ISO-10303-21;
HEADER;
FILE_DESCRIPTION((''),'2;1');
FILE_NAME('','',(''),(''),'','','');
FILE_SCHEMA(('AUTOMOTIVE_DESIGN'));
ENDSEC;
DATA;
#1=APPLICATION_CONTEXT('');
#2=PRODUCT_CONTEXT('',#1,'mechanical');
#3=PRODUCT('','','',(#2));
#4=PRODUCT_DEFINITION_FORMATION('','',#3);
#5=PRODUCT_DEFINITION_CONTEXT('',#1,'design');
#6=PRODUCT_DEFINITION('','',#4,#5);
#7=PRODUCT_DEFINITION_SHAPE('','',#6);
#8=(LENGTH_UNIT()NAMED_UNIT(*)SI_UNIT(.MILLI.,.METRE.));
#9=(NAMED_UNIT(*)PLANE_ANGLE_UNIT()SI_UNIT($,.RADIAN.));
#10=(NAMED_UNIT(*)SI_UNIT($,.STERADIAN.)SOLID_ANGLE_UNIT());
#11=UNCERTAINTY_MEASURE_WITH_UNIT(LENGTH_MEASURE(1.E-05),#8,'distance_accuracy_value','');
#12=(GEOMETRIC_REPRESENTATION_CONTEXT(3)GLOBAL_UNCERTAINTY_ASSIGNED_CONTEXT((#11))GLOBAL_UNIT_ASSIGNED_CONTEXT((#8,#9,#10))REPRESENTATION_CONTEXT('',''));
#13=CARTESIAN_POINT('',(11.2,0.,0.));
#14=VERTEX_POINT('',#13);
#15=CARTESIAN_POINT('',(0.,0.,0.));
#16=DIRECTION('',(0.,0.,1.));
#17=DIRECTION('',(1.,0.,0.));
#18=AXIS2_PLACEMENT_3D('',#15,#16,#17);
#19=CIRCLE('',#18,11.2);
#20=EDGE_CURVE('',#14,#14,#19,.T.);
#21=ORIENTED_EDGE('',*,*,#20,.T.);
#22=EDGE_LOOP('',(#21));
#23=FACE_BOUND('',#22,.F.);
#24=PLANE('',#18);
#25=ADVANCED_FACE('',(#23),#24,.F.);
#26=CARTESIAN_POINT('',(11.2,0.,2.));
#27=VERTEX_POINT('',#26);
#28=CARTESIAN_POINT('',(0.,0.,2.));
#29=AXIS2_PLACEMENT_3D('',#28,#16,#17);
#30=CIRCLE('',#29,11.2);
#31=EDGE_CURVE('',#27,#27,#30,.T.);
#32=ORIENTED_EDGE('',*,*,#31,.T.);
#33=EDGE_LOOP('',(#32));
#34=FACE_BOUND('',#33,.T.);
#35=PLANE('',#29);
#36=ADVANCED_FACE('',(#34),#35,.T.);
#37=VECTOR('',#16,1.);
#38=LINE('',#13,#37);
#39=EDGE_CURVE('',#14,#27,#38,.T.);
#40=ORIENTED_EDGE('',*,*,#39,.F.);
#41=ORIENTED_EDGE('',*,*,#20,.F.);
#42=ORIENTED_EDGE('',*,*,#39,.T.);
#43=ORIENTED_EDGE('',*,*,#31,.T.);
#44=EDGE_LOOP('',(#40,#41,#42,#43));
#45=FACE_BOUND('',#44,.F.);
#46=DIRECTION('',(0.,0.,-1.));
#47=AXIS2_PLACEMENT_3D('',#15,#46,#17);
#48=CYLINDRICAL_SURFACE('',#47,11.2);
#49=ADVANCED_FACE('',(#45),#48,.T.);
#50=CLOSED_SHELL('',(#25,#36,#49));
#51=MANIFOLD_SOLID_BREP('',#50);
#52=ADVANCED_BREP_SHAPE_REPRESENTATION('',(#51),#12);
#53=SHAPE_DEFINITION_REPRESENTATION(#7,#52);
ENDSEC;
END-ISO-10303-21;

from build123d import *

# Parameters (mm, degrees)
F0_R     = 11.2
F1_DEPTH = 2
F3_DEPTH = 25


with BuildPart() as f1:
    # F0 (on Top) → F1 (new body)
    with BuildSketch(Plane.XY):
        Circle(F0_R)
    extrude(amount=F1_DEPTH)

    # F2 (on Top) → F3 (cut)
    with BuildSketch(Plane.XY):
        with BuildLine():
            add(Edge.make_bspline(
                [(-5.32056, 4.114055), (-4.9136, 4.604631), (-4.431978, 5.163606), (-3.74498, 6.363862), (-2.817296, 7.147703), (-1.461046, 8.003489), (0.139188, 7.709954), (2.013984, 7.914835), (3.572615, 6.835672), (4.265133, 5.295322), (6.177492, 4.214494), (3.998277, 2.478094), (5.98003, 1.419742), (5.354911, 0.559563), (4.709981, 0.405762), (4.722144, -0.527268), (3.962618, -0.312855), (3.442351, -0.645484), (3.028697, -1.023849), (2.897748, -1.148103)],
                knots=[0, 0, 0, 0, 1.604462, 2.601677, 3.999722, 5.254782, 7.230732, 8.614185, 10.871856, 12.176321, 13.916604, 15.63386, 17.349297, 17.831592, 18.401429, 19.196574, 19.631196, 20.321228, 21.054471, 21.054471, 21.054471, 21.054471], degree=3))
            add(Edge.make_bspline(
                [(-5.32056, 4.114055), (-5.373669, 4.067405), (-5.6112, 3.877572), (-5.131529, 3.612063), (-5.104622, 3.111812), (-4.71233, 2.604329), (-4.909772, 1.962673), (-5.298794, 1.506942), (-5.508954, 1.1214), (-5.65142, 0.714554), (-4.840464, 0.627859), (-4.902599, -0.494451), (-4.012954, -0.372929), (-3.402062, -0.766293), (-2.545645, -1.466922), (-2.44562, -2.743176), (-2.091251, -3.941679), (-1.610238, -5.15645), (-1.63844, -6.629013), (-0.665331, -8.35731), (0.791963, -7.599707), (0.452235, -7.191626), (0.661797, -6.972875), (0.896509, -7.097294), (1.147996, -6.791451), (1.542098, -6.679791), (1.505455, -5.946079), (1.430337, -4.968646), (2.138784, -4.137713), (2.096544, -2.975122), (2.868059, -2.046085), (2.540352, -1.20654), (2.636882, -0.43004), (2.819441, -0.950554), (2.897748, -1.148103)],
                knots=[0, 0, 0, 0, 0.286375, 0.552158, 1.232507, 1.754068, 2.339112, 3.051409, 3.519744, 3.779588, 4.062444, 5.413932, 5.650998, 6.553721, 7.489767, 8.860324, 10.130377, 11.311256, 12.669081, 14.768636, 15.531904, 15.81955, 15.965135, 16.287111, 16.390945, 17.097361, 17.188162, 18.538801, 19.960463, 20.079201, 22.013392, 22.759719, 23.080705, 23.626031, 23.626031, 23.626031, 23.626031], degree=3))
        make_face()
        with BuildLine():
            add(Edge.make_bspline(
                [(-4.266934, 2.02452), (-4.214918, 2.06648), (-4.013928, 2.199513), (-3.4527, 2.374769), (-2.574913, 1.794119), (-1.931197, 0.748292), (-1.183248, 1.205062), (-1.132917, 0.875217), (-1.272818, 0.711315), (-1.239713, 0.342555), (-1.779314, 0.298167), (-2.160248, 0.354992), (-2.367283, 0.128338), (-2.721332, 0.156808), (-3.10117, 0.419227), (-3.573287, 0.53215), (-3.99886, 1.035132), (-3.992722, 1.462856), (-4.327353, 1.975781), (-4.266934, 2.02452)],
                knots=[0, 0, 0, 0, 0.201468, 0.723403, 1.635588, 3.212323, 3.415719, 3.646106, 3.884813, 4.082369, 4.612466, 5.062961, 5.220914, 5.466167, 6.024058, 6.618163, 6.854385, 7.918335, 8.152344, 8.152344, 8.152344, 8.152344], degree=3))
        make_face(mode=Mode.SUBTRACT)
        with BuildLine():
            add(Edge.make_bspline(
                [(1.124104, 1.108665), (1.164475, 1.037634), (1.314514, 0.8822), (2.188352, 1.67619), (2.878039, 2.28551), (3.795472, 2.329398), (4.335287, 2.141887), (3.828308, 1.601768), (4.103096, 0.895951), (3.468552, 0.809642), (3.09901, 0.469469), (2.56374, 0.142194), (1.907367, 0.246688), (1.169629, -0.030109), (0.987339, 1.349297), (1.124104, 1.108665)],
                knots=[0, 0, 0, 0, 0.187947, 0.641377, 2.753625, 3.068192, 3.536295, 3.915843, 4.80239, 4.9918, 5.665765, 6.31646, 6.748381, 7.641441, 8.278152, 8.278152, 8.278152, 8.278152], degree=3))
        make_face(mode=Mode.SUBTRACT)
    extrude(amount=-F3_DEPTH, mode=Mode.SUBTRACT)


solid = f1.part
